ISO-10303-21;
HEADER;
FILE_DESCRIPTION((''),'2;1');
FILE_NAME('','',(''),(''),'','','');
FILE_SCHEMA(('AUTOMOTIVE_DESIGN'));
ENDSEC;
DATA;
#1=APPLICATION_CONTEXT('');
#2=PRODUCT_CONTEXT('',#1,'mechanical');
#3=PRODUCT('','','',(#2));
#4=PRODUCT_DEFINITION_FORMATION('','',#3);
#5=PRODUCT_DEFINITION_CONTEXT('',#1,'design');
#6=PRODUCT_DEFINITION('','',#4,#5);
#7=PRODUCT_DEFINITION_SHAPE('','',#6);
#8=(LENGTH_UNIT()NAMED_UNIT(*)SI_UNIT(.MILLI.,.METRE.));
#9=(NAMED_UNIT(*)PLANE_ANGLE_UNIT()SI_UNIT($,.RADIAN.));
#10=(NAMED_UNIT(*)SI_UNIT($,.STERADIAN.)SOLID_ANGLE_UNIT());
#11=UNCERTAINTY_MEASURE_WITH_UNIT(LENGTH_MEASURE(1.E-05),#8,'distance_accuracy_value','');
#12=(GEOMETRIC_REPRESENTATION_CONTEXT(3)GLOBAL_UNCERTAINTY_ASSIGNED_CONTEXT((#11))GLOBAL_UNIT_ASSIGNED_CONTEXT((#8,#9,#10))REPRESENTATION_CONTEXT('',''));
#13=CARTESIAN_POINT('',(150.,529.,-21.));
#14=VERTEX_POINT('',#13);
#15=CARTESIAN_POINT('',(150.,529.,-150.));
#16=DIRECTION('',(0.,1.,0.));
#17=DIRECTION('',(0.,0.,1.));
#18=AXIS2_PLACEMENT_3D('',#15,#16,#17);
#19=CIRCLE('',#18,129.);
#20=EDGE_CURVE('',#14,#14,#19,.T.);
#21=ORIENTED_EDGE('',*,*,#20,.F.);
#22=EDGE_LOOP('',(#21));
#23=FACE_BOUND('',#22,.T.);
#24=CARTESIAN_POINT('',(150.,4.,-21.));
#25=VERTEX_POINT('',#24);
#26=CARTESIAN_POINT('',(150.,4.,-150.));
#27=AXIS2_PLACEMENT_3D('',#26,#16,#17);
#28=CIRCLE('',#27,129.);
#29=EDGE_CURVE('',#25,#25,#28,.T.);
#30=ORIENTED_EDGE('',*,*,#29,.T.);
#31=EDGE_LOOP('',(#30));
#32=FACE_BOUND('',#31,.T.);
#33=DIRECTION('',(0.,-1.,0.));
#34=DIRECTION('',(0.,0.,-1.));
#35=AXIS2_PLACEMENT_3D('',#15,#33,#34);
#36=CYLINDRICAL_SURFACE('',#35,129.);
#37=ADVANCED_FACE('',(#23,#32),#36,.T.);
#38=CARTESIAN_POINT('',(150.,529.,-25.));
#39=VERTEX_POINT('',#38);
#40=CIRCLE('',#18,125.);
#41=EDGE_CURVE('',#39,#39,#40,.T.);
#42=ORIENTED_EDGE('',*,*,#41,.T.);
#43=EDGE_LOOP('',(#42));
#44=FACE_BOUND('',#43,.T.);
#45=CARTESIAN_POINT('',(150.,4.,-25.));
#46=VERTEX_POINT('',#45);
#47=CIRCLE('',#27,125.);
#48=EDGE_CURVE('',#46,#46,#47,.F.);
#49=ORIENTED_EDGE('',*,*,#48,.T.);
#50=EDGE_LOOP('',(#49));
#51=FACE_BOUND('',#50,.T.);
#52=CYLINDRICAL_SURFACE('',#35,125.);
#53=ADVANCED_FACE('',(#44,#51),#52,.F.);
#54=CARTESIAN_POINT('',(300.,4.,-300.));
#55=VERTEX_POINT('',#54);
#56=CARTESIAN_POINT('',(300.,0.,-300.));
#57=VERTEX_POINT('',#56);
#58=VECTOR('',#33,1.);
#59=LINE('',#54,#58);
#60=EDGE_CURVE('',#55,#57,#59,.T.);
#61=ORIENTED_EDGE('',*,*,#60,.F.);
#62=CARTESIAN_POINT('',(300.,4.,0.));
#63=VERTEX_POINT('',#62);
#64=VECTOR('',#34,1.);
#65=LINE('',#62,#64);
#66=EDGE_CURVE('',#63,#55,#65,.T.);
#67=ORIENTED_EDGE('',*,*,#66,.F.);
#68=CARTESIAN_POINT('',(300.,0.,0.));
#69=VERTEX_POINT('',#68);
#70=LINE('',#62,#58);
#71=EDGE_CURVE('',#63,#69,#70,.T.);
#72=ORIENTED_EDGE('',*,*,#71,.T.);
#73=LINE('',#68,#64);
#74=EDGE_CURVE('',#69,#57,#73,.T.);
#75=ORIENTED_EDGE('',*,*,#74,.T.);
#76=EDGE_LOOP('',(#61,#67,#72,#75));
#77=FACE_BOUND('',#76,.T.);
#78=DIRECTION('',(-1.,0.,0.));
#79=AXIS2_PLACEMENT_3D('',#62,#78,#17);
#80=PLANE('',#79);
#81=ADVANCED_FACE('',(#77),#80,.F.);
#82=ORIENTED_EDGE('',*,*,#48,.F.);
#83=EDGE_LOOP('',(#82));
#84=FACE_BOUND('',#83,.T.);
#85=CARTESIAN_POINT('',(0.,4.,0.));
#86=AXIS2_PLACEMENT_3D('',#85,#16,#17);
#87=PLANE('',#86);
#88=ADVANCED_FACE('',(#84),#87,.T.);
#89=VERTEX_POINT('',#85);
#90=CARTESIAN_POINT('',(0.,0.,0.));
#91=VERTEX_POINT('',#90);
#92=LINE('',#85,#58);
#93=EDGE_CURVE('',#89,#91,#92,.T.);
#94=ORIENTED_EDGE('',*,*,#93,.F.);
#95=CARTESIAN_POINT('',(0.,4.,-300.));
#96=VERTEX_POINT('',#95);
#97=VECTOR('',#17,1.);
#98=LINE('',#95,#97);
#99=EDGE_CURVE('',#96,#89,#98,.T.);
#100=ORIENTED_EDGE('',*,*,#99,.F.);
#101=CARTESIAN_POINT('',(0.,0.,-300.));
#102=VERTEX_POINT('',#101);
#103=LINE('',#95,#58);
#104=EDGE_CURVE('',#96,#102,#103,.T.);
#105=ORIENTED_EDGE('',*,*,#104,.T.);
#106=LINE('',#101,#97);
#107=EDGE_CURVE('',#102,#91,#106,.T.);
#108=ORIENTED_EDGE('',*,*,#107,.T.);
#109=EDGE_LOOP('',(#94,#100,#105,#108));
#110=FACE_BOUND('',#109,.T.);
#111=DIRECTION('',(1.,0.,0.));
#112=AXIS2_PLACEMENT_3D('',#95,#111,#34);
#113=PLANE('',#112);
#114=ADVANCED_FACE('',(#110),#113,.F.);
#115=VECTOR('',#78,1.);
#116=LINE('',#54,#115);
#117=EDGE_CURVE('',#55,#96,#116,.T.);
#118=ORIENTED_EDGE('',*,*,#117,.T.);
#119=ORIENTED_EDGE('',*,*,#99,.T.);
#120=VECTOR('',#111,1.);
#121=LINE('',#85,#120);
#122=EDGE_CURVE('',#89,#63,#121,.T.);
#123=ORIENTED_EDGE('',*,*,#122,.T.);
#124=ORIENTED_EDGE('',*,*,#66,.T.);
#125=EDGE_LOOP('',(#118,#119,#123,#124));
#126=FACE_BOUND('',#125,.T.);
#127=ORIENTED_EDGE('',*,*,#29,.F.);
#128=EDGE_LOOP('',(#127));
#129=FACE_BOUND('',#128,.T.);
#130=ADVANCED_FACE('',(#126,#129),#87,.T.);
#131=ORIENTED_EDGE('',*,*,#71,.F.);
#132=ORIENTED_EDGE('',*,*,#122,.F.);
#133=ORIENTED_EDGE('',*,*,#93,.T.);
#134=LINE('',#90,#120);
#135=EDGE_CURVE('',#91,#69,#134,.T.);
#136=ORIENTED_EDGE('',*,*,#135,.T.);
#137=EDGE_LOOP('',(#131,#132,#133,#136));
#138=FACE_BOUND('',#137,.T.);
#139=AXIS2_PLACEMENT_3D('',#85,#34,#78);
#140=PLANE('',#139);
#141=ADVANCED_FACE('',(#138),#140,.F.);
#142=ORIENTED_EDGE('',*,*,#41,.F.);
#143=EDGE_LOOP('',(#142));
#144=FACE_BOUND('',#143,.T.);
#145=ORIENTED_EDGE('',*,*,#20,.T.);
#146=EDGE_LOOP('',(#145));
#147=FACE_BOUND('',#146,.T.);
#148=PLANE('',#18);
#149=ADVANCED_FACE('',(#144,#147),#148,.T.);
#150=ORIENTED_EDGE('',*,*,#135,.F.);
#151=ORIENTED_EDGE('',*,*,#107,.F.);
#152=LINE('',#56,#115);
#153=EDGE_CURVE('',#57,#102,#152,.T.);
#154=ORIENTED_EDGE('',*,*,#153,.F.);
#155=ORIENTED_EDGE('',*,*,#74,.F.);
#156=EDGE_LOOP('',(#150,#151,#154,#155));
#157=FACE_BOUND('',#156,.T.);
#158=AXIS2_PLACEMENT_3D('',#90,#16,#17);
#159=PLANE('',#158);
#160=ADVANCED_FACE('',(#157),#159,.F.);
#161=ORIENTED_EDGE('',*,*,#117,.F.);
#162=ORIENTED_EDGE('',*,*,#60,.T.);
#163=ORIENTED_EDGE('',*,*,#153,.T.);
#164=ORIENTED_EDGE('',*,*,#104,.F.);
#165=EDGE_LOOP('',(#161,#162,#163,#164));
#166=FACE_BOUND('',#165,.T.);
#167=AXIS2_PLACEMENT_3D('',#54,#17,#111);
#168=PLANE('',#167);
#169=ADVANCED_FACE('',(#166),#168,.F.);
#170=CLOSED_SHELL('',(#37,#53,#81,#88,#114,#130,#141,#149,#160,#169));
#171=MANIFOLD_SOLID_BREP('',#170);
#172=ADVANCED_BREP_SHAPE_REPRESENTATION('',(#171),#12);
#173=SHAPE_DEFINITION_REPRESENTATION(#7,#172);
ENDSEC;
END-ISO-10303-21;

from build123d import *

# Parameters (mm, degrees)
SKETCH1_W           = 300
SKETCH1_H           = 300
BOSS_EXTRUDE2_DEPTH = 4
SKETCH2_R           = 129
SKETCH2_R_2         = 125
BOSS_EXTRUDE3_DEPTH = 525


with BuildPart() as part:
    # Sketch1 → Boss-Extrude2 (new body)
    with BuildSketch(Plane(origin=(0, 0, 0), x_dir=(1, 0, 0), z_dir=(0, 1, 0))):
        with Locations((150, 150)):
            Rectangle(SKETCH1_W, SKETCH1_H)
    extrude(amount=BOSS_EXTRUDE2_DEPTH)

    # Sketch2 → Boss-Extrude3 (add)
    with BuildSketch(Plane(origin=(0, 4, 0), x_dir=(1, 0, 0), z_dir=(0, 1, 0))):
        with Locations(Location((150, 150, 0), (0, 0, 270))):
            Circle(SKETCH2_R)
        with Locations(Location((150, 150, 0), (0, 0, 270))):
            Circle(SKETCH2_R_2, mode=Mode.SUBTRACT)
    extrude(amount=BOSS_EXTRUDE3_DEPTH)


solid = part.part
